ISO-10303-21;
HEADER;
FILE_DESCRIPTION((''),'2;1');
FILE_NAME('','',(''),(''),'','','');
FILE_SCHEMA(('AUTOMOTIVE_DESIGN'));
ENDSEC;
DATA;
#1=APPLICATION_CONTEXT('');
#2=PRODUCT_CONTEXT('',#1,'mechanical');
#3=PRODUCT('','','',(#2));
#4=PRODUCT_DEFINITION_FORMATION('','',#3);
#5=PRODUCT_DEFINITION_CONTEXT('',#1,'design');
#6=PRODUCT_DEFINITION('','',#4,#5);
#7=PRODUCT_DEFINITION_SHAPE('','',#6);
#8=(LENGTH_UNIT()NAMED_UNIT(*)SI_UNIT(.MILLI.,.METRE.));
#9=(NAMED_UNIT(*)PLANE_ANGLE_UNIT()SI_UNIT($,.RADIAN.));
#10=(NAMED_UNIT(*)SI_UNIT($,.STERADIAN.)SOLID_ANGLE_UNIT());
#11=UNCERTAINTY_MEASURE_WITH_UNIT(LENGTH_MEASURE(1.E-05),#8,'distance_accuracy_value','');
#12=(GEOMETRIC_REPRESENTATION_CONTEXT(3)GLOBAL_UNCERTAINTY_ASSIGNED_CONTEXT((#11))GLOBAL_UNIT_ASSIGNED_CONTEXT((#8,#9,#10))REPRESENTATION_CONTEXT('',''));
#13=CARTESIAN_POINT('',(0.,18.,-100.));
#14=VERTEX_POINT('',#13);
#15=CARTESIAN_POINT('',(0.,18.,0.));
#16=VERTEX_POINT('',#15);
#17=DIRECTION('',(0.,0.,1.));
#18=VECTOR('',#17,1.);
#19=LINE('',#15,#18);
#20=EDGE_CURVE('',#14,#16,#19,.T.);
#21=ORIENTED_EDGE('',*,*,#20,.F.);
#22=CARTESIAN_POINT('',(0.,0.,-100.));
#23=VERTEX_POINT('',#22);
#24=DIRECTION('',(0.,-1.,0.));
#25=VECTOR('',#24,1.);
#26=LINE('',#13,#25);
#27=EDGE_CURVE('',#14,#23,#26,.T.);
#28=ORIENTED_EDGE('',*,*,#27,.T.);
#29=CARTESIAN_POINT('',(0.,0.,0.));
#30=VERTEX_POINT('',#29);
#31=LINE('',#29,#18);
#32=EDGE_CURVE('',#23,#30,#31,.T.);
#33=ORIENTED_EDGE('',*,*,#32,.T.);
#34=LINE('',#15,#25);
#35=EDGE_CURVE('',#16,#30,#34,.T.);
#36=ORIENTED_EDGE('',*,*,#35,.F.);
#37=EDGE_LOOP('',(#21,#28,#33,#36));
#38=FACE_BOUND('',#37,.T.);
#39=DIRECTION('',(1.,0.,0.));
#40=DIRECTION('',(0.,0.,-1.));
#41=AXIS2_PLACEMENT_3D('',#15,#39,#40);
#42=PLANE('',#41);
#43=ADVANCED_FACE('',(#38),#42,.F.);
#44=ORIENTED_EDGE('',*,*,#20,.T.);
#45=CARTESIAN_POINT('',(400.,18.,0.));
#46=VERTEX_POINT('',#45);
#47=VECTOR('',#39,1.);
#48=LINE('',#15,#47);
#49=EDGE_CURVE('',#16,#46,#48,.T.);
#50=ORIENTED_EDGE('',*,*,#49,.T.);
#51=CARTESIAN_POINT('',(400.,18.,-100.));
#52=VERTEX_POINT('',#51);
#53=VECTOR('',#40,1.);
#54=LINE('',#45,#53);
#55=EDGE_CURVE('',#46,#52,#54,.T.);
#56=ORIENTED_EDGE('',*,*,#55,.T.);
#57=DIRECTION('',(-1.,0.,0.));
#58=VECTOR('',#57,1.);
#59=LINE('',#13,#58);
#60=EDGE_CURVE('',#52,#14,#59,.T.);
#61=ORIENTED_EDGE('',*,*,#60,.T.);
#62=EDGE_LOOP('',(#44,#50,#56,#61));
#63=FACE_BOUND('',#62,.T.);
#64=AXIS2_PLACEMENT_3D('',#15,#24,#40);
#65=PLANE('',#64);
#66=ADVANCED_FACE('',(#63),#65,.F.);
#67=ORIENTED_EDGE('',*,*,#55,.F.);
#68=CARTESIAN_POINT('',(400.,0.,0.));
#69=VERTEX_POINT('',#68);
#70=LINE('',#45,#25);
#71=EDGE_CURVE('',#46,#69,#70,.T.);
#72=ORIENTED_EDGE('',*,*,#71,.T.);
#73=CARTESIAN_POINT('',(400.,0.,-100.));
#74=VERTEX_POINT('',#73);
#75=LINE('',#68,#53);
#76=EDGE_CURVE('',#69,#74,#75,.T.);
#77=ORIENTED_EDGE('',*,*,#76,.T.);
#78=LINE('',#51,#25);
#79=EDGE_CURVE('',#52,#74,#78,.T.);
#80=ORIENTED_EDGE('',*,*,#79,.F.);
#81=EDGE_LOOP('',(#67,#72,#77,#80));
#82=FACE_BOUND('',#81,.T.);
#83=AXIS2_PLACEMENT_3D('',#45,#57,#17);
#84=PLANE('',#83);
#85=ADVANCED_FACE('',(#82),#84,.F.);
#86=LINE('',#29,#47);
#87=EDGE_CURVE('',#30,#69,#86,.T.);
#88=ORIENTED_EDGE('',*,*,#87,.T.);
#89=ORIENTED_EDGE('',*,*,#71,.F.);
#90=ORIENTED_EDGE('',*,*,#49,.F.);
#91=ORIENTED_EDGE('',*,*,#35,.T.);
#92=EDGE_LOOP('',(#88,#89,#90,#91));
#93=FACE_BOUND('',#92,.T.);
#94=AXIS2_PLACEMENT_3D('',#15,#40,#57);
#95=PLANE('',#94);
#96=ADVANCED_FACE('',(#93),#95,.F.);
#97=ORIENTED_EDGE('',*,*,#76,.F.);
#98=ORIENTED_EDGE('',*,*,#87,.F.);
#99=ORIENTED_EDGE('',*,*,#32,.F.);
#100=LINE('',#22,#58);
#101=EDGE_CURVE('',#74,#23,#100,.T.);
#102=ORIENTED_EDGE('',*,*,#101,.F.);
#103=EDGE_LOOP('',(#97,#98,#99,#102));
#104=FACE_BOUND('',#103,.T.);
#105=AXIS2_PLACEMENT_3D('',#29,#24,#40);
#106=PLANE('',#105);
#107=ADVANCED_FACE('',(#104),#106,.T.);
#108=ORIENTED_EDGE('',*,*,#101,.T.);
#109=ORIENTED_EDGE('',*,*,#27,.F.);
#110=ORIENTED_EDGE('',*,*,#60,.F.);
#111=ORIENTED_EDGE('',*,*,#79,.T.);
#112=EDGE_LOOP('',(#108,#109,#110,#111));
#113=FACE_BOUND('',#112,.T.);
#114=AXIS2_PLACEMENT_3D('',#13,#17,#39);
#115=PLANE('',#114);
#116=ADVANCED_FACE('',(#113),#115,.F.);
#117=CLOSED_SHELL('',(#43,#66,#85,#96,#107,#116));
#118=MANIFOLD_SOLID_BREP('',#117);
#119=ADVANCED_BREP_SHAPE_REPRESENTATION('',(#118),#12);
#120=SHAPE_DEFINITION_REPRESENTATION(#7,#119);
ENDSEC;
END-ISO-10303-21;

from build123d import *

# Parameters (mm, degrees)
SKETCH1_W           = 400
SKETCH1_H           = 100
BOSS_EXTRUDE1_DEPTH = 18


with BuildPart() as part:
    # Sketch1 → Boss-Extrude1 (new body)
    with BuildSketch(Plane(origin=(0, 0, 0), x_dir=(1, 0, 0), z_dir=(0, 1, 0))):
        with Locations((200, 50)):
            Rectangle(SKETCH1_W, SKETCH1_H)
    extrude(amount=BOSS_EXTRUDE1_DEPTH)


solid = part.part
